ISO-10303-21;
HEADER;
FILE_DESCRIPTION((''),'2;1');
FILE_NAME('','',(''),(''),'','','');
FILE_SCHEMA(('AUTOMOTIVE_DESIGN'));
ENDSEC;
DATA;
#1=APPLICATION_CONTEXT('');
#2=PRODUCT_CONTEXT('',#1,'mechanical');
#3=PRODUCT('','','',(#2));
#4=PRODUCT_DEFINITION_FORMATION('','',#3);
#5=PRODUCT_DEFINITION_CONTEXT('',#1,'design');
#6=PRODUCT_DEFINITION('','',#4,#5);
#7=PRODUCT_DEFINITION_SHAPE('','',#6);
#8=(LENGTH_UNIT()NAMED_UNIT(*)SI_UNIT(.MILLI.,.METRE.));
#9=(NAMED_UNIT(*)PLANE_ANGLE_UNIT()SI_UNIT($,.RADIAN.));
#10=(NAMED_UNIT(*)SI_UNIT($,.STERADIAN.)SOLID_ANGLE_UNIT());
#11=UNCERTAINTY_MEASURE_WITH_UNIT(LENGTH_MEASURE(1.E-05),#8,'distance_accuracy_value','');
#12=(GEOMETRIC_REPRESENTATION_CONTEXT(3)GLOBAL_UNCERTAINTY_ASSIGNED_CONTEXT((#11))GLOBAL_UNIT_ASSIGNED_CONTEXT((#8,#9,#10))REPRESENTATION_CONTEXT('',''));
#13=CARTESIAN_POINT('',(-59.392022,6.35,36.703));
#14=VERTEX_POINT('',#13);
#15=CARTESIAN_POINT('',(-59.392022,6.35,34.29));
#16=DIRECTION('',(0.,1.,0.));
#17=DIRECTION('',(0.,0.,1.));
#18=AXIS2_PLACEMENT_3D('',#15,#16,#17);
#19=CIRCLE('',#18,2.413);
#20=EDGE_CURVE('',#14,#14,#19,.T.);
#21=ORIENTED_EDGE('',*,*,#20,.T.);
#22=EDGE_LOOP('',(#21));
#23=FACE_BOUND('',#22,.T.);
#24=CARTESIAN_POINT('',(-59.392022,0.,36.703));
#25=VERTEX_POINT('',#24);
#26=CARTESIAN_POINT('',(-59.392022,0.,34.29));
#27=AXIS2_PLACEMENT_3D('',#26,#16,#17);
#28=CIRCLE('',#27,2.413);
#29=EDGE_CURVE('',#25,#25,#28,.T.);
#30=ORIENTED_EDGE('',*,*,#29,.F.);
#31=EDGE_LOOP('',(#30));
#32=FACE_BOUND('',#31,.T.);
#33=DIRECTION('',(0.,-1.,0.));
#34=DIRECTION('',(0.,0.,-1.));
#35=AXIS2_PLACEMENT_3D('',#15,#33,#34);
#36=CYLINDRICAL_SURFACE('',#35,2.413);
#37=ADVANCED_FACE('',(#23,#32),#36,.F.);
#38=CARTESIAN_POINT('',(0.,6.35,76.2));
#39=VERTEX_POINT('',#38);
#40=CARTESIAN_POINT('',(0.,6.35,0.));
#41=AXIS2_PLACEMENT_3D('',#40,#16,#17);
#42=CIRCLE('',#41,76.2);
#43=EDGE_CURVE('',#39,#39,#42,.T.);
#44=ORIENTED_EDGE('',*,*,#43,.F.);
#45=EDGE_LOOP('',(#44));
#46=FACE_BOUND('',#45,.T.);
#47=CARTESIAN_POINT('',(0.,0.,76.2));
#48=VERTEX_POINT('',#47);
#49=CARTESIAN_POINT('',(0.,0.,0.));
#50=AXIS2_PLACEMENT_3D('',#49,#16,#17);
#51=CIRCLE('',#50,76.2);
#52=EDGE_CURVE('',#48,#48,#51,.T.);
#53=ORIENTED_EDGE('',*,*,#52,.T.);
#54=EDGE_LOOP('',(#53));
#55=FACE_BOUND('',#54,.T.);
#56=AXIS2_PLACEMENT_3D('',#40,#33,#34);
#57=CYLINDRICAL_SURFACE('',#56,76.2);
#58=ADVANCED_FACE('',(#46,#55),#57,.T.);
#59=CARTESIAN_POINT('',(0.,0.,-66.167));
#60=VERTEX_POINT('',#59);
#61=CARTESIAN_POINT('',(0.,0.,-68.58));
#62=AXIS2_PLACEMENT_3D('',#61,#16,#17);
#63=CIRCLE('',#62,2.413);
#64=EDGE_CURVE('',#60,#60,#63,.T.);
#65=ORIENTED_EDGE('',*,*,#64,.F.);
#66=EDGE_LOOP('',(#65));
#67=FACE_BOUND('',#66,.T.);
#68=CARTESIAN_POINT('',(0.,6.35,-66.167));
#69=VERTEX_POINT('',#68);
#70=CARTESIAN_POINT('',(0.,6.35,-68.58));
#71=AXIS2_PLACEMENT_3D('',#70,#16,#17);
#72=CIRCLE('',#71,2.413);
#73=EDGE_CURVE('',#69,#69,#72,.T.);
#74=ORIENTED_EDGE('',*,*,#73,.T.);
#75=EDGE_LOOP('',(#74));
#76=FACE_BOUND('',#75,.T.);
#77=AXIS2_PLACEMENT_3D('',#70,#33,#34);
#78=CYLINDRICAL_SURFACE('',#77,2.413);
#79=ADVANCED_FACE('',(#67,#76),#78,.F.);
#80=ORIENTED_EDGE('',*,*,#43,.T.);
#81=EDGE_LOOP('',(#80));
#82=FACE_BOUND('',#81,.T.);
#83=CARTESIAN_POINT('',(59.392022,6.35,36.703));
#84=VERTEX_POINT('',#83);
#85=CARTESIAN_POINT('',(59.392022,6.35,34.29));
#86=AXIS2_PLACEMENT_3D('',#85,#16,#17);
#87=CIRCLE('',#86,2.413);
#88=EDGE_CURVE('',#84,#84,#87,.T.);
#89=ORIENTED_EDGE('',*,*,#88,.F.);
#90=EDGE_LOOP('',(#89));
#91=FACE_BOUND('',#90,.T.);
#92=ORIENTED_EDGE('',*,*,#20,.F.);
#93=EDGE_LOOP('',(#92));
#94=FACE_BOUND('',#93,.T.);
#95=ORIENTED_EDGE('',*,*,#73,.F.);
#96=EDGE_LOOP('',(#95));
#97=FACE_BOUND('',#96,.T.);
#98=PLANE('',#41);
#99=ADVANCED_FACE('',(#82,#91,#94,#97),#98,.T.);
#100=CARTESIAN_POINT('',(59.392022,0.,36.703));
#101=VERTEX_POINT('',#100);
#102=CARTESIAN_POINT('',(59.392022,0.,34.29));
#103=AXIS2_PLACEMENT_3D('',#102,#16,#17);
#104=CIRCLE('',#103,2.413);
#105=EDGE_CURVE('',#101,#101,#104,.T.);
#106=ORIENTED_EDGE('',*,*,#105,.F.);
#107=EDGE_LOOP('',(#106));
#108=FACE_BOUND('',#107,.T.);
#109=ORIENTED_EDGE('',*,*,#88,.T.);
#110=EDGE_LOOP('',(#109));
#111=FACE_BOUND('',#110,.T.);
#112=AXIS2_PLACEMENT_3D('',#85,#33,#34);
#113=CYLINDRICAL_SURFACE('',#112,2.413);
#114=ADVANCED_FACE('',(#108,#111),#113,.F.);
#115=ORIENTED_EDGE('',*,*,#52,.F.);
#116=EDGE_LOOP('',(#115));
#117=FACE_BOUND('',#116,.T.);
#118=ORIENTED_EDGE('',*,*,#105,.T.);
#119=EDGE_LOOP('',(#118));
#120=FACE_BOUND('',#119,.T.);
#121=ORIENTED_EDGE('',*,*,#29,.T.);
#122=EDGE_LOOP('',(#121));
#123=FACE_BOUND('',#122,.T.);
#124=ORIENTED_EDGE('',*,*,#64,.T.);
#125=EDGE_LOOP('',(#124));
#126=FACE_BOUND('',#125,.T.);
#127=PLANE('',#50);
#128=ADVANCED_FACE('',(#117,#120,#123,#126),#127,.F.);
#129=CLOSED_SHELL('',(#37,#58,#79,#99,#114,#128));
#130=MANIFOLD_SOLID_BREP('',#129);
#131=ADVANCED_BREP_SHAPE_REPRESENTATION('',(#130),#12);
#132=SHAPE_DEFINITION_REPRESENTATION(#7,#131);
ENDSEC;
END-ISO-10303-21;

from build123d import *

# Parameters (mm, degrees)
SKETCH2_R           = 76.2
SKETCH2_R_2         = 2.0828
SKETCH2_R_3         = 2.413
SKETCH2_R_4         = 50.8
BOSS_EXTRUDE1_DEPTH = 6.35
SKETCH3_R           = 59.917719959
BOSS_EXTRUDE2_DEPTH = 6.35


with BuildPart() as part:
    # Sketch2 → Boss-Extrude1 (new body)
    with BuildSketch(Plane(origin=(0, 0, 0), x_dir=(1, 0, 0), z_dir=(0, 1, 0))):
        with Locations(Location((0, 0, 0), (0, 0, 270))):
            Circle(SKETCH2_R)
        with Locations(Location((-14.199848091, 52.994554534, 0), (0, 0, 270))):
            Circle(SKETCH2_R_2, mode=Mode.SUBTRACT)
        with Locations(Location((-38.794706443, 38.794706443, 0), (0, 0, 270))):
            Circle(SKETCH2_R_2, mode=Mode.SUBTRACT)
        with Locations(Location((-52.994554534, 14.199848091, 0), (0, 0, 270))):
            Circle(SKETCH2_R_2, mode=Mode.SUBTRACT)
        with Locations(Location((-52.994554534, -14.199848091, 0), (0, 0, 270))):
            Circle(SKETCH2_R_2, mode=Mode.SUBTRACT)
        with Locations(Location((-38.794706443, -38.794706443, 0), (0, 0, 270))):
            Circle(SKETCH2_R_2, mode=Mode.SUBTRACT)
        with Locations(Location((-14.199848091, -52.994554534, 0), (0, 0, 270))):
            Circle(SKETCH2_R_2, mode=Mode.SUBTRACT)
        with Locations(Location((14.199848091, -52.994554534, 0), (0, 0, 270))):
            Circle(SKETCH2_R_2, mode=Mode.SUBTRACT)
        with Locations(Location((38.794706443, -38.794706443, 0), (0, 0, 270))):
            Circle(SKETCH2_R_2, mode=Mode.SUBTRACT)
        with Locations(Location((52.994554534, -14.199848091, 0), (0, 0, 270))):
            Circle(SKETCH2_R_2, mode=Mode.SUBTRACT)
        with Locations(Location((52.994554534, 14.199848091, 0), (0, 0, 270))):
            Circle(SKETCH2_R_2, mode=Mode.SUBTRACT)
        with Locations(Location((38.794706443, 38.794706443, 0), (0, 0, 270))):
            Circle(SKETCH2_R_2, mode=Mode.SUBTRACT)
        with Locations(Location((14.199848091, 52.994554534, 0), (0, 0, 270))):
            Circle(SKETCH2_R_2, mode=Mode.SUBTRACT)
        with Locations(Location((-59.392022192, -34.29, 0), (0, 0, 270))):
            Circle(SKETCH2_R_3, mode=Mode.SUBTRACT)
        with Locations(Location((59.392022192, -34.29, 0), (0, 0, 270))):
            Circle(SKETCH2_R_3, mode=Mode.SUBTRACT)
        with Locations(Location((0, 68.58, 0), (0, 0, 270))):
            Circle(SKETCH2_R_3, mode=Mode.SUBTRACT)
        with Locations(Location((0, 0, 0), (0, 0, 270))):
            Circle(SKETCH2_R_4, mode=Mode.SUBTRACT)
    extrude(amount=BOSS_EXTRUDE1_DEPTH)

    # Sketch3 → Boss-Extrude2 (add, through all)
    with BuildSketch(Plane(origin=(0, 0, 0), x_dir=(1, 0, 0), z_dir=(0, 1, 0))):
        Circle(SKETCH3_R)
    extrude(amount=BOSS_EXTRUDE2_DEPTH)


solid = part.part
